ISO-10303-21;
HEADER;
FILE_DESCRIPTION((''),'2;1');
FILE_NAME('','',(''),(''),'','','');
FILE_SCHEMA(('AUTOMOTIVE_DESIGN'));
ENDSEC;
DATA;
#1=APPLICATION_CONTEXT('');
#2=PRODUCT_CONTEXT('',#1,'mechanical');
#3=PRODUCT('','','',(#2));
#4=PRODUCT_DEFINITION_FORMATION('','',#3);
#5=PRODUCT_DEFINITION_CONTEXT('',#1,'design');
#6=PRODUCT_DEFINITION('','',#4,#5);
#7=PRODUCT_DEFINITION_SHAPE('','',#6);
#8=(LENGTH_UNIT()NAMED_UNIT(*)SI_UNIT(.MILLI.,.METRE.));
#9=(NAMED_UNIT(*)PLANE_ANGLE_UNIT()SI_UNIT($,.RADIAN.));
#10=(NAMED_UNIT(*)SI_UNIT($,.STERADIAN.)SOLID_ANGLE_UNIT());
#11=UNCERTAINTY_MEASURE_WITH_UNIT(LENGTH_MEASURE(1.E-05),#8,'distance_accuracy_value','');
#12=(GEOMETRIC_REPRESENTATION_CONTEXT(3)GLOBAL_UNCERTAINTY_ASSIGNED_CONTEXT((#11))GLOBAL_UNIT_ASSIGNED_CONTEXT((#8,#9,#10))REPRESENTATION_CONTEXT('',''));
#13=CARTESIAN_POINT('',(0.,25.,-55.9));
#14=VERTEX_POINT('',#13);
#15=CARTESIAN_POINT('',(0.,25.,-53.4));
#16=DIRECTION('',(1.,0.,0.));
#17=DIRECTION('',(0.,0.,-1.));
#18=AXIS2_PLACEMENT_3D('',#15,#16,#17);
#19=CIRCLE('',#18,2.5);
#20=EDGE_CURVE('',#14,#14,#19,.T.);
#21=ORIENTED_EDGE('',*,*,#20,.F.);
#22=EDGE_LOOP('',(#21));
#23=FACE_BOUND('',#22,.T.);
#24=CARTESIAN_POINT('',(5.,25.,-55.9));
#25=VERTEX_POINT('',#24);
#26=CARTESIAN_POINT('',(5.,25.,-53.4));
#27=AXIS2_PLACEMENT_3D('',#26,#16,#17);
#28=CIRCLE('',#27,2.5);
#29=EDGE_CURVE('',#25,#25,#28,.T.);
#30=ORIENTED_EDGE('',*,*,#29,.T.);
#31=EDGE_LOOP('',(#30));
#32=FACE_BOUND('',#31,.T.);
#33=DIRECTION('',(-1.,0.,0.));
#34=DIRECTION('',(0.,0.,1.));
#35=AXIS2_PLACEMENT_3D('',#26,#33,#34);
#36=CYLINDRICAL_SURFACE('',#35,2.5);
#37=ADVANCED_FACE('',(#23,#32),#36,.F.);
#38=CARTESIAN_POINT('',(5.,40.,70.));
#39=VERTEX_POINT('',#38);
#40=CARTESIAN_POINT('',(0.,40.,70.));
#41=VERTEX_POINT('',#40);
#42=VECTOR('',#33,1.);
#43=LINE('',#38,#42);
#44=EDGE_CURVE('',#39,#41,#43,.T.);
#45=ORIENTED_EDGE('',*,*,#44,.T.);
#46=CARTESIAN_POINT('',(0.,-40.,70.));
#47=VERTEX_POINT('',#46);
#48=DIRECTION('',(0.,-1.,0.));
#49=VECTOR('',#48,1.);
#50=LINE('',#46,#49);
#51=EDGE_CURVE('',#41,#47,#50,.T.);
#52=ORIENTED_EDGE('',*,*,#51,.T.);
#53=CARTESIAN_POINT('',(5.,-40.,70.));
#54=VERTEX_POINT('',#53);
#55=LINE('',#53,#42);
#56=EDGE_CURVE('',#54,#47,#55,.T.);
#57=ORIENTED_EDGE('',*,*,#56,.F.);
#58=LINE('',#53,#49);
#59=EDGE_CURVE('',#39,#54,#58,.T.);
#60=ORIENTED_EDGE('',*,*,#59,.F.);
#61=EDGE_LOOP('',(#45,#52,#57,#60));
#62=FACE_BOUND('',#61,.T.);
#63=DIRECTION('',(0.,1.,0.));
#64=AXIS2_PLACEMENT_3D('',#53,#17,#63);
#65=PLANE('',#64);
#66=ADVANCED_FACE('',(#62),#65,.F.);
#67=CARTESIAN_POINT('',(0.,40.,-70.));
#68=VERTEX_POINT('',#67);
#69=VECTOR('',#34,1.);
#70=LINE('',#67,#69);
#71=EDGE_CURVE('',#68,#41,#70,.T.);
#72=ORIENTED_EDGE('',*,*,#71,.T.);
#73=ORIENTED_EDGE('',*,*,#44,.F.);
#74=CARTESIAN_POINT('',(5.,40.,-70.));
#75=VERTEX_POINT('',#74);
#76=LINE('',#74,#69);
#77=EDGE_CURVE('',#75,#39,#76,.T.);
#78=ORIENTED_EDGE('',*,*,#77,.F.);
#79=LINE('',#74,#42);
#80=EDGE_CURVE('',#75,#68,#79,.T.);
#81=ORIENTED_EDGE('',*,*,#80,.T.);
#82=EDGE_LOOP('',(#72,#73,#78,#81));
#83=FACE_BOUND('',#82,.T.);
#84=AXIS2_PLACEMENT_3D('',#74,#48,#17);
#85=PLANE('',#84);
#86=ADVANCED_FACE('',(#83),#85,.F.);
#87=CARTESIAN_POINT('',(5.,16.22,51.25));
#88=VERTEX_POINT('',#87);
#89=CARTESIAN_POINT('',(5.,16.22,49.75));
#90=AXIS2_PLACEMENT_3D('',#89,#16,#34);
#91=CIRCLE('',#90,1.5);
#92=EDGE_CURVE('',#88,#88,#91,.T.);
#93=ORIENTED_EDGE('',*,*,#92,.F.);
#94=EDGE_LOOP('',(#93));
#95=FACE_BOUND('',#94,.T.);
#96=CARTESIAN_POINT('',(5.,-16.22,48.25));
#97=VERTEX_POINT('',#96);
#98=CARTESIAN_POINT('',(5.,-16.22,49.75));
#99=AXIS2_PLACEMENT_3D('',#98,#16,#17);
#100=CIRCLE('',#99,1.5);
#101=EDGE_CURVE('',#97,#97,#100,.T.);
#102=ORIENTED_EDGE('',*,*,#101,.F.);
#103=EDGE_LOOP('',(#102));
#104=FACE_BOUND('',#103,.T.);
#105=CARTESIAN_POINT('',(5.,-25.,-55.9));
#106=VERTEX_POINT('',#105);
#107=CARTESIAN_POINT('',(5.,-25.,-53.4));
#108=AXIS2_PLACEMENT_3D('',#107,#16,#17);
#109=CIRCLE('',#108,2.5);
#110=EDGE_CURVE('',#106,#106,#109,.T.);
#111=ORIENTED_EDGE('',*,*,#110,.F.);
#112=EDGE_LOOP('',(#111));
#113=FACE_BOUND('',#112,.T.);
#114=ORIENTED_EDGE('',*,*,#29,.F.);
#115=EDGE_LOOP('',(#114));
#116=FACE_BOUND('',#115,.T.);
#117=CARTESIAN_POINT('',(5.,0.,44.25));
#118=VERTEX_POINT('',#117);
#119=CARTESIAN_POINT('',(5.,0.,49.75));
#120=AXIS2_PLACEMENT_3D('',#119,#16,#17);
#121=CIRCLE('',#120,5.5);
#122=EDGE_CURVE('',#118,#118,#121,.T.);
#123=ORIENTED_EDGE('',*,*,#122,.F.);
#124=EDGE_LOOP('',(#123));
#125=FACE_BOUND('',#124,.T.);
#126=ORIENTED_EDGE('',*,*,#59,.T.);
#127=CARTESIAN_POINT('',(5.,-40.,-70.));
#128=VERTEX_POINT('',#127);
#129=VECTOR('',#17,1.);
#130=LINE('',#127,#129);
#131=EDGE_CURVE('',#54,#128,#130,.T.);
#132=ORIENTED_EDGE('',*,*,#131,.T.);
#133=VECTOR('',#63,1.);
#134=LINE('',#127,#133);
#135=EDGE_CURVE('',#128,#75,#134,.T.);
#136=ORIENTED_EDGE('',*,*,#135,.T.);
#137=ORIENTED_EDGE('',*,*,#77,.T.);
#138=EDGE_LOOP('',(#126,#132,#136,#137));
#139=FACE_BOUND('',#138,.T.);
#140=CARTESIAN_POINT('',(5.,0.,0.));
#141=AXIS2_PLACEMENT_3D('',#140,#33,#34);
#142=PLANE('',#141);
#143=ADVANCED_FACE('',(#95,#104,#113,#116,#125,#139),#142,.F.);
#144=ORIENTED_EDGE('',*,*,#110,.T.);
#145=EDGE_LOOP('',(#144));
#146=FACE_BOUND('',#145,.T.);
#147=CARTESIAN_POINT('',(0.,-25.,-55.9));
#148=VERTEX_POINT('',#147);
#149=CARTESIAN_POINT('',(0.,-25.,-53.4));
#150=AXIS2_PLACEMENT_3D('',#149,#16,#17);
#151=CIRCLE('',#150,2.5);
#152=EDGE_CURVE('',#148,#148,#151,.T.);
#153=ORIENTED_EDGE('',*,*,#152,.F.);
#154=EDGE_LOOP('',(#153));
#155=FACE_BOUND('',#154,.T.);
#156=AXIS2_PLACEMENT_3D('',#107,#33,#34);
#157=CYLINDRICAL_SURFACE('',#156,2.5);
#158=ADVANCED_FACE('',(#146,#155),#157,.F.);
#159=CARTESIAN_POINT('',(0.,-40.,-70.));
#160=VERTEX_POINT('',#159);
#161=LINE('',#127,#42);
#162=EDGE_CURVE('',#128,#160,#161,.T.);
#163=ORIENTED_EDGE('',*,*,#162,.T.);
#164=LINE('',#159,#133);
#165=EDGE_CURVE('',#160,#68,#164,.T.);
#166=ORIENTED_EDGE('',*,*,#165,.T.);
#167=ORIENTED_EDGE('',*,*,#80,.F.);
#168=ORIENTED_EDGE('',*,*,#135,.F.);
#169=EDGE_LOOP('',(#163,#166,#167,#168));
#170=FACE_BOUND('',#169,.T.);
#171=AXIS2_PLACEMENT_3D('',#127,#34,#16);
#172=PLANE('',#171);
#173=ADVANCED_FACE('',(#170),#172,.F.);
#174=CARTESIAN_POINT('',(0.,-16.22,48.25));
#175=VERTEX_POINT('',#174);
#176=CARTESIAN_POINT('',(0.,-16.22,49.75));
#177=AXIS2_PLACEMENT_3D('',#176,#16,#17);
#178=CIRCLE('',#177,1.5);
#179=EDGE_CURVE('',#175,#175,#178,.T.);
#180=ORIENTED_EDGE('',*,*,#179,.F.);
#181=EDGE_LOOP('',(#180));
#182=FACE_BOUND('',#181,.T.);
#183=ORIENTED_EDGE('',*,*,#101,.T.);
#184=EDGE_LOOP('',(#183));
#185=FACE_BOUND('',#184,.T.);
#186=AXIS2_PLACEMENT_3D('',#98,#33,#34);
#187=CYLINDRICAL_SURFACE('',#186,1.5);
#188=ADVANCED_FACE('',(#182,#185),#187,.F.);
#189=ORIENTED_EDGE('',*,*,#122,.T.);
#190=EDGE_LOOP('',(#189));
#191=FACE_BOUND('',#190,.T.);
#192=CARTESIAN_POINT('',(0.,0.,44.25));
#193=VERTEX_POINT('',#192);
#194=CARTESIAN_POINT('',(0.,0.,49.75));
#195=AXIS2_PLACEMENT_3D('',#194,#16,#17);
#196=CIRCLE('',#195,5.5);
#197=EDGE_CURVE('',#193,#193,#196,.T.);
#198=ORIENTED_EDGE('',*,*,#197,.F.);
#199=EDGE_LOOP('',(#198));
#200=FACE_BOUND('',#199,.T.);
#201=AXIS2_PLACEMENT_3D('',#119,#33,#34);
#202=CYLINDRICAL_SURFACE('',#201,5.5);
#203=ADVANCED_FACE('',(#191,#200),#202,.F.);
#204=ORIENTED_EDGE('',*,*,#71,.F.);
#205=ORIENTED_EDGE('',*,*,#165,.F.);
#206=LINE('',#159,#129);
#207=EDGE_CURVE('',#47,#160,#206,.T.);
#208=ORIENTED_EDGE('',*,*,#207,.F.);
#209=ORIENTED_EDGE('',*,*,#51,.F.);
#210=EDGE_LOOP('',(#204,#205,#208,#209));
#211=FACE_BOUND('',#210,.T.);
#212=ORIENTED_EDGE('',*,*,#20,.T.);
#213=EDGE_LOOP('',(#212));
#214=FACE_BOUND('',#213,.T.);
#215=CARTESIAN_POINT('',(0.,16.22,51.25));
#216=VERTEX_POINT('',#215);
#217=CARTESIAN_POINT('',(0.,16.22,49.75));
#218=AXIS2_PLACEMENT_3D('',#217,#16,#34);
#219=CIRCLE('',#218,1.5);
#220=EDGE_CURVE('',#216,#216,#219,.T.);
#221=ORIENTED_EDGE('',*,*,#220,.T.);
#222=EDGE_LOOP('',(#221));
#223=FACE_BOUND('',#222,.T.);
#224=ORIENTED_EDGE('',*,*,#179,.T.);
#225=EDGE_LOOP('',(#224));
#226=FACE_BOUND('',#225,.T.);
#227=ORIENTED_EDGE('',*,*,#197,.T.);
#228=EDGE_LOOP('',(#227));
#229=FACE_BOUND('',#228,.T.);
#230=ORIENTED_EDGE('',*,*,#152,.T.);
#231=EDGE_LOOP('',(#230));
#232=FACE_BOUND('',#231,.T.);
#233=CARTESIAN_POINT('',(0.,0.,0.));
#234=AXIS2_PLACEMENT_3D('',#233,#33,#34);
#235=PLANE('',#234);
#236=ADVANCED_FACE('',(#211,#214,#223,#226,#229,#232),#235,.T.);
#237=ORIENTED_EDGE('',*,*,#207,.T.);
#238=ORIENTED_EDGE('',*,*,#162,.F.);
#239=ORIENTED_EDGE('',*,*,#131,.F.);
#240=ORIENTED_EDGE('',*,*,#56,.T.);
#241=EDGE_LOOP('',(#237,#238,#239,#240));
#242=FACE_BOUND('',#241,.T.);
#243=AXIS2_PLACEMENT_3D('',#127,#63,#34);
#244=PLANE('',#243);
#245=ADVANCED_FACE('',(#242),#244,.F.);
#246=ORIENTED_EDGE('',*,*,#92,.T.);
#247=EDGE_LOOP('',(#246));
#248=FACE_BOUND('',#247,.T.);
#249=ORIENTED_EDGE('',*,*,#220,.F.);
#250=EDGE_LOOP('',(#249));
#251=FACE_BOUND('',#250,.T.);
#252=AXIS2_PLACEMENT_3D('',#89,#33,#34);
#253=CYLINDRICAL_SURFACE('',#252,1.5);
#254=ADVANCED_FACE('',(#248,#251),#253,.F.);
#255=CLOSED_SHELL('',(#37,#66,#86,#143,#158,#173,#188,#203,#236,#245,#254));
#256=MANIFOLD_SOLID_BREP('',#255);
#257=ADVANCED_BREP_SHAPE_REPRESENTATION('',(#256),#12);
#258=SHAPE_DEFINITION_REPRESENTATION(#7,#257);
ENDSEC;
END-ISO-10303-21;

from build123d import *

# Parameters (mm, degrees)
SKETCH1_W           = 80
SKETCH1_H           = 140
SKETCH1_R           = 5.5
SKETCH1_R_2         = 1.5
SKETCH1_R_3         = 2.5
BOSS_EXTRUDE1_DEPTH = 5


with BuildPart() as part:
    # Sketch1 → Boss-Extrude1 (new body)
    with BuildSketch(Plane.YZ):
        Rectangle(SKETCH1_W, SKETCH1_H)
        with Locations((0, 49.75)):
            Circle(SKETCH1_R, mode=Mode.SUBTRACT)
        with Locations((-16.22, 49.75)):
            Circle(SKETCH1_R_2, mode=Mode.SUBTRACT)
        with Locations((16.22, 49.75)):
            Circle(SKETCH1_R_2, mode=Mode.SUBTRACT)
        with Locations((-25, -53.4)):
            Circle(SKETCH1_R_3, mode=Mode.SUBTRACT)
        with Locations((25, -53.4)):
            Circle(SKETCH1_R_3, mode=Mode.SUBTRACT)
    extrude(amount=BOSS_EXTRUDE1_DEPTH)


solid = part.part
